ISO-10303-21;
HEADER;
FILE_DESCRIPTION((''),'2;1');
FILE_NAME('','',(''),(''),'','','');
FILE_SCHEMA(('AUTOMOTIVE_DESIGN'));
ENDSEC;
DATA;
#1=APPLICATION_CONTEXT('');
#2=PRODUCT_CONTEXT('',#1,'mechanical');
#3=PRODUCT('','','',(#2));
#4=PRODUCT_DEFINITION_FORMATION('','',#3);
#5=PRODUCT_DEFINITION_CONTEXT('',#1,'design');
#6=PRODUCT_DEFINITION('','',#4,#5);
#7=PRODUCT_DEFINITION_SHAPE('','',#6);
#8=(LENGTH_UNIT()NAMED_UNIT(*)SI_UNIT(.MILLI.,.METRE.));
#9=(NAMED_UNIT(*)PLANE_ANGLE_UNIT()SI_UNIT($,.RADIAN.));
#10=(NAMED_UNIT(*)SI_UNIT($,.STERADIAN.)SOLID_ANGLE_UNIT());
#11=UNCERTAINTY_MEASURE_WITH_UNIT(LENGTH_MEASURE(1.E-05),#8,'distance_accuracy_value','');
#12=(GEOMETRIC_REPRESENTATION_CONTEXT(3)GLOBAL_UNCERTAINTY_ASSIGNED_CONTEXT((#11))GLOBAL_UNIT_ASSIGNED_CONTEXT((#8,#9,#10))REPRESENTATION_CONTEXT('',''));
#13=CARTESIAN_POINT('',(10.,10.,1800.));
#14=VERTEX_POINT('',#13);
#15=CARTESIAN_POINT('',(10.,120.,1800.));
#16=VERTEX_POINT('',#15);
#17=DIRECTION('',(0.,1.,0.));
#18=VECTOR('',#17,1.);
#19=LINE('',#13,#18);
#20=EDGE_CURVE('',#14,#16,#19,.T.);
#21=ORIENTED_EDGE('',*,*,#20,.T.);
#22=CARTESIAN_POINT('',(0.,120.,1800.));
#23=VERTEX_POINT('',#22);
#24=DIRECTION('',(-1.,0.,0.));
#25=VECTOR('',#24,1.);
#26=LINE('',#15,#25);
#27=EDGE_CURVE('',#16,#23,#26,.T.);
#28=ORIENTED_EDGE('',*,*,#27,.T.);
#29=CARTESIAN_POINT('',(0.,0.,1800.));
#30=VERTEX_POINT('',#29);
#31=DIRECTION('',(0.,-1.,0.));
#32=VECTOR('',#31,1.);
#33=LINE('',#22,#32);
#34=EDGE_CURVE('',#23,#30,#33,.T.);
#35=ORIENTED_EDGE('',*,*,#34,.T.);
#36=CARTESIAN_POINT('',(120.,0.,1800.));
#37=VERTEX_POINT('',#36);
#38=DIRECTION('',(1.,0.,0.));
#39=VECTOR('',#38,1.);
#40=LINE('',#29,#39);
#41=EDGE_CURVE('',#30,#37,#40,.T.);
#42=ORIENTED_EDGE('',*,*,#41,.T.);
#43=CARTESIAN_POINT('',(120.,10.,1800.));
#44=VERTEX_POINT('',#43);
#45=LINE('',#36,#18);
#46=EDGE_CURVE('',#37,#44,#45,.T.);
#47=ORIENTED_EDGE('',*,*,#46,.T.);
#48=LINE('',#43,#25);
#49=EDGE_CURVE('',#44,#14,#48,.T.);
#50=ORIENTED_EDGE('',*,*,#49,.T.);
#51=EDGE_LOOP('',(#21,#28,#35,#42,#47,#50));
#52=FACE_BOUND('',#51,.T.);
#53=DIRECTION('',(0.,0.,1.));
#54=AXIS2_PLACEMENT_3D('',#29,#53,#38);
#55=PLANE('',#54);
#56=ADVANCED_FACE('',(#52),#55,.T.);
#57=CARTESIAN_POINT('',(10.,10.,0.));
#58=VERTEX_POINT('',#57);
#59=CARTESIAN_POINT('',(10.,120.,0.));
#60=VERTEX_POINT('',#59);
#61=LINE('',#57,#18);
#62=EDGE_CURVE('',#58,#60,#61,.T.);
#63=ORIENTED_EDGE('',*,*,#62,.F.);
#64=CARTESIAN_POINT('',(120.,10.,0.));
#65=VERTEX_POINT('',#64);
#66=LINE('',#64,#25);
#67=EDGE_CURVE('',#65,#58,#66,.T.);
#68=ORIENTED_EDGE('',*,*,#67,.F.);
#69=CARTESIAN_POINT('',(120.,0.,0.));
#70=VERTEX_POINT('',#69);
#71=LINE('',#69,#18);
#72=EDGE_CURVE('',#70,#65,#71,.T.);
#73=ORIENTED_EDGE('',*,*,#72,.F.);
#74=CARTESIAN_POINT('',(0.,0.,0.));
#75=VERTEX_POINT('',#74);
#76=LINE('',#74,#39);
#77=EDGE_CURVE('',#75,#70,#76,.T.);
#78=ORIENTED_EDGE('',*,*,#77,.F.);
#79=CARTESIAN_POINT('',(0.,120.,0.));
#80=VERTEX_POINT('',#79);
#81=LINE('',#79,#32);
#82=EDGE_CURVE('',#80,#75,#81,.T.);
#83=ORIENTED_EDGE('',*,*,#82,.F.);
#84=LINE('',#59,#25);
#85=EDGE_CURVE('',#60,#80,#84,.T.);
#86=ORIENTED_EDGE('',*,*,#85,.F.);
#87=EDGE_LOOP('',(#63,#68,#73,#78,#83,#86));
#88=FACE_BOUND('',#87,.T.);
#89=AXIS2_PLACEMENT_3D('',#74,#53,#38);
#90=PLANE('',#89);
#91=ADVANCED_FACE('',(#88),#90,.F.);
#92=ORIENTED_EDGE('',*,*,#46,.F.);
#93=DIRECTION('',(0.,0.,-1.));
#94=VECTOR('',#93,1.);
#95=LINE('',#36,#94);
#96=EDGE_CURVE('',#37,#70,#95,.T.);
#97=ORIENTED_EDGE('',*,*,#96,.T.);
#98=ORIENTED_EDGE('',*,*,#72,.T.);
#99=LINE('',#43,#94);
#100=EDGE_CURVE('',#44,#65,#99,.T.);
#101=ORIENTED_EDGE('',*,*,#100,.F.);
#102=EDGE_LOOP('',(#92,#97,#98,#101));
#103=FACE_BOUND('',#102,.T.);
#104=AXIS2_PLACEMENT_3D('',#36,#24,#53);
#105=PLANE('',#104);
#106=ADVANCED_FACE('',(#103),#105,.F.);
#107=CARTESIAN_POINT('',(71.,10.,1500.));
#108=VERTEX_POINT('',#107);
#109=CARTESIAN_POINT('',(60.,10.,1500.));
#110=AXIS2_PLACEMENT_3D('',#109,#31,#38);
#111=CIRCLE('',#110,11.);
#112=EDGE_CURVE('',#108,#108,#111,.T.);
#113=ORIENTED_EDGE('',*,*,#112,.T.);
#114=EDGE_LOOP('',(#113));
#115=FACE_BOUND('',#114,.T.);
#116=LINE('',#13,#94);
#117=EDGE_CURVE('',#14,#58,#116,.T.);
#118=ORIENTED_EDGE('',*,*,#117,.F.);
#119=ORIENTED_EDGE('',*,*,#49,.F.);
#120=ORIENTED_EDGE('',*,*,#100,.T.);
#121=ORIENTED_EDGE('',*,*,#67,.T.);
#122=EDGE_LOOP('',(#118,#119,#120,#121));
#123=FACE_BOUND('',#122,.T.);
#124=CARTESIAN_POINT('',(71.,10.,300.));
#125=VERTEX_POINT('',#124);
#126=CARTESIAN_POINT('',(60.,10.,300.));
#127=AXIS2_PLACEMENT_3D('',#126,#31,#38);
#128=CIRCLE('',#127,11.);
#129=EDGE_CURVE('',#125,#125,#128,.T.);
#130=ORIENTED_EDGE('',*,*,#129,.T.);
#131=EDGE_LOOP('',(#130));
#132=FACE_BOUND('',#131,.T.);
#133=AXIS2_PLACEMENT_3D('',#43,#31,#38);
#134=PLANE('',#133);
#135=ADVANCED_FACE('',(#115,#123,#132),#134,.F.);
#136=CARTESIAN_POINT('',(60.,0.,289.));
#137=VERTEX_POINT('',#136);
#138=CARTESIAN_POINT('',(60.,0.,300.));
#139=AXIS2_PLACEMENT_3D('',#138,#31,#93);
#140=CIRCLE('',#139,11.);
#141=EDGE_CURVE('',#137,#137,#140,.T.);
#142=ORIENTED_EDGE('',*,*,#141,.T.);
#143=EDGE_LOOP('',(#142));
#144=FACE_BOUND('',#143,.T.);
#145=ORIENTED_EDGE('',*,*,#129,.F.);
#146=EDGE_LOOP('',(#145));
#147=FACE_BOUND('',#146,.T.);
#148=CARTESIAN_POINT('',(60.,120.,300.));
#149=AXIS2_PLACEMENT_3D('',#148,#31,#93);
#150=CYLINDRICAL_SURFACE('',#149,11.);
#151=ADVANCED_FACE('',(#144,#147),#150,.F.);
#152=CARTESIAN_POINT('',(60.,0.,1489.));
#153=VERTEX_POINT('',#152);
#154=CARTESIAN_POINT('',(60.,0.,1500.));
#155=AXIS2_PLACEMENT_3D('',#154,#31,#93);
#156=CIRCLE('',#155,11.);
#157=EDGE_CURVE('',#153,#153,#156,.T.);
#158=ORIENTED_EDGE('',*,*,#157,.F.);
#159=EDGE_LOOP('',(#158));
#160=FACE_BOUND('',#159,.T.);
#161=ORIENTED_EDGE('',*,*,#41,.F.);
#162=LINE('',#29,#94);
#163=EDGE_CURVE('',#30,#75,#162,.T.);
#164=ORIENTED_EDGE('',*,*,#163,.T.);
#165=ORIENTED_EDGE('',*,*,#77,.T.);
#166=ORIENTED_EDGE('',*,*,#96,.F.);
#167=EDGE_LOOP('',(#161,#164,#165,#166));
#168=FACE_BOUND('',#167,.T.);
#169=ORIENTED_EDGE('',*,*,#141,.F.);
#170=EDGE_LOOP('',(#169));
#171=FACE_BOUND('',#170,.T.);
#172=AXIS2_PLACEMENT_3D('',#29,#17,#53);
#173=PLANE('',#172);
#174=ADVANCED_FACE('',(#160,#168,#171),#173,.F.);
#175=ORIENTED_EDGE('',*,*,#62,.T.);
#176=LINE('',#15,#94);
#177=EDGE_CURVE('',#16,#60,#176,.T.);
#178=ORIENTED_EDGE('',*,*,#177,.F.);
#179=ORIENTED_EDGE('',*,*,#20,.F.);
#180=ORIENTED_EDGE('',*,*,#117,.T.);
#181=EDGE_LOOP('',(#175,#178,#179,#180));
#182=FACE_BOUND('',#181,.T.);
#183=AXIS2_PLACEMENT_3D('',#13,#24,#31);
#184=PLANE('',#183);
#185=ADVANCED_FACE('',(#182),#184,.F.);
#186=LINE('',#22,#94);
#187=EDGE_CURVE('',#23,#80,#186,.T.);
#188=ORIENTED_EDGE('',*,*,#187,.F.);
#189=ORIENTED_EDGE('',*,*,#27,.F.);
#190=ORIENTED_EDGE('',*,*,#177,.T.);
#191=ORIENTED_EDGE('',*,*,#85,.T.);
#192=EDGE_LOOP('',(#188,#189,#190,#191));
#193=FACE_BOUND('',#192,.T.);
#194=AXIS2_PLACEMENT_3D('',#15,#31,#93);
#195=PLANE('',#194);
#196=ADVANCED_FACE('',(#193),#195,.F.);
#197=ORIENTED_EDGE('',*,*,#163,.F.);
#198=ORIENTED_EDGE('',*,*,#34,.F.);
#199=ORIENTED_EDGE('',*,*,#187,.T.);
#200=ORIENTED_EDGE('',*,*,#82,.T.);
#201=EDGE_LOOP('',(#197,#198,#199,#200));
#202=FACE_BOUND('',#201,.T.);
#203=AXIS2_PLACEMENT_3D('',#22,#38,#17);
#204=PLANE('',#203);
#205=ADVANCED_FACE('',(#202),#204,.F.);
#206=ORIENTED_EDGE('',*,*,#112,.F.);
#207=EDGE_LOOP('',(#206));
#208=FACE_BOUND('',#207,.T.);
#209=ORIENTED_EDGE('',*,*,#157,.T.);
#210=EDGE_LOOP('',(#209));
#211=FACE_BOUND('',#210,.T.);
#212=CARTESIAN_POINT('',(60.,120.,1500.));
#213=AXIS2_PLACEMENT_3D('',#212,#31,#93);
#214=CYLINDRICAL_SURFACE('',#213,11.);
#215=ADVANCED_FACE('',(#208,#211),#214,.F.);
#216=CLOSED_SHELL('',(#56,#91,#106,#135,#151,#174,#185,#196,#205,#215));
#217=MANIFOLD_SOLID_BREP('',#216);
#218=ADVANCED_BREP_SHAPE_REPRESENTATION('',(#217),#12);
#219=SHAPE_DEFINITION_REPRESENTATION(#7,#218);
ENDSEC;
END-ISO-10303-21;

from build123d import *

# Parameters (mm, degrees)
EXTRUDE_1_DEPTH     = 1800
SKETCH_2_R          = 11
CUT_EXTRUDE_1_DEPTH = 1808.982300798


with BuildPart() as part:
    # 草图1 → 凸台-拉伸1 (new body)
    with BuildSketch(Plane.XY):
        Polygon((0, 0), (120, 0), (120, 10), (10, 10), (10, 120), (0, 120), align=None)
    extrude(amount=EXTRUDE_1_DEPTH)

    # 草图2 → 切除-拉伸1 (cut, through all)
    with BuildSketch(Plane(origin=(0, 0, 0), x_dir=(-1, 0, 0), z_dir=(0, -1, 0))):
        with Locations(Location((-60, -1500, 0), (0, 0, 90))):
            Circle(SKETCH_2_R)
        with Locations(Location((-60, -300, 0), (0, 0, 90))):
            Circle(SKETCH_2_R)
    extrude(amount=-CUT_EXTRUDE_1_DEPTH, mode=Mode.SUBTRACT)


solid = part.part
